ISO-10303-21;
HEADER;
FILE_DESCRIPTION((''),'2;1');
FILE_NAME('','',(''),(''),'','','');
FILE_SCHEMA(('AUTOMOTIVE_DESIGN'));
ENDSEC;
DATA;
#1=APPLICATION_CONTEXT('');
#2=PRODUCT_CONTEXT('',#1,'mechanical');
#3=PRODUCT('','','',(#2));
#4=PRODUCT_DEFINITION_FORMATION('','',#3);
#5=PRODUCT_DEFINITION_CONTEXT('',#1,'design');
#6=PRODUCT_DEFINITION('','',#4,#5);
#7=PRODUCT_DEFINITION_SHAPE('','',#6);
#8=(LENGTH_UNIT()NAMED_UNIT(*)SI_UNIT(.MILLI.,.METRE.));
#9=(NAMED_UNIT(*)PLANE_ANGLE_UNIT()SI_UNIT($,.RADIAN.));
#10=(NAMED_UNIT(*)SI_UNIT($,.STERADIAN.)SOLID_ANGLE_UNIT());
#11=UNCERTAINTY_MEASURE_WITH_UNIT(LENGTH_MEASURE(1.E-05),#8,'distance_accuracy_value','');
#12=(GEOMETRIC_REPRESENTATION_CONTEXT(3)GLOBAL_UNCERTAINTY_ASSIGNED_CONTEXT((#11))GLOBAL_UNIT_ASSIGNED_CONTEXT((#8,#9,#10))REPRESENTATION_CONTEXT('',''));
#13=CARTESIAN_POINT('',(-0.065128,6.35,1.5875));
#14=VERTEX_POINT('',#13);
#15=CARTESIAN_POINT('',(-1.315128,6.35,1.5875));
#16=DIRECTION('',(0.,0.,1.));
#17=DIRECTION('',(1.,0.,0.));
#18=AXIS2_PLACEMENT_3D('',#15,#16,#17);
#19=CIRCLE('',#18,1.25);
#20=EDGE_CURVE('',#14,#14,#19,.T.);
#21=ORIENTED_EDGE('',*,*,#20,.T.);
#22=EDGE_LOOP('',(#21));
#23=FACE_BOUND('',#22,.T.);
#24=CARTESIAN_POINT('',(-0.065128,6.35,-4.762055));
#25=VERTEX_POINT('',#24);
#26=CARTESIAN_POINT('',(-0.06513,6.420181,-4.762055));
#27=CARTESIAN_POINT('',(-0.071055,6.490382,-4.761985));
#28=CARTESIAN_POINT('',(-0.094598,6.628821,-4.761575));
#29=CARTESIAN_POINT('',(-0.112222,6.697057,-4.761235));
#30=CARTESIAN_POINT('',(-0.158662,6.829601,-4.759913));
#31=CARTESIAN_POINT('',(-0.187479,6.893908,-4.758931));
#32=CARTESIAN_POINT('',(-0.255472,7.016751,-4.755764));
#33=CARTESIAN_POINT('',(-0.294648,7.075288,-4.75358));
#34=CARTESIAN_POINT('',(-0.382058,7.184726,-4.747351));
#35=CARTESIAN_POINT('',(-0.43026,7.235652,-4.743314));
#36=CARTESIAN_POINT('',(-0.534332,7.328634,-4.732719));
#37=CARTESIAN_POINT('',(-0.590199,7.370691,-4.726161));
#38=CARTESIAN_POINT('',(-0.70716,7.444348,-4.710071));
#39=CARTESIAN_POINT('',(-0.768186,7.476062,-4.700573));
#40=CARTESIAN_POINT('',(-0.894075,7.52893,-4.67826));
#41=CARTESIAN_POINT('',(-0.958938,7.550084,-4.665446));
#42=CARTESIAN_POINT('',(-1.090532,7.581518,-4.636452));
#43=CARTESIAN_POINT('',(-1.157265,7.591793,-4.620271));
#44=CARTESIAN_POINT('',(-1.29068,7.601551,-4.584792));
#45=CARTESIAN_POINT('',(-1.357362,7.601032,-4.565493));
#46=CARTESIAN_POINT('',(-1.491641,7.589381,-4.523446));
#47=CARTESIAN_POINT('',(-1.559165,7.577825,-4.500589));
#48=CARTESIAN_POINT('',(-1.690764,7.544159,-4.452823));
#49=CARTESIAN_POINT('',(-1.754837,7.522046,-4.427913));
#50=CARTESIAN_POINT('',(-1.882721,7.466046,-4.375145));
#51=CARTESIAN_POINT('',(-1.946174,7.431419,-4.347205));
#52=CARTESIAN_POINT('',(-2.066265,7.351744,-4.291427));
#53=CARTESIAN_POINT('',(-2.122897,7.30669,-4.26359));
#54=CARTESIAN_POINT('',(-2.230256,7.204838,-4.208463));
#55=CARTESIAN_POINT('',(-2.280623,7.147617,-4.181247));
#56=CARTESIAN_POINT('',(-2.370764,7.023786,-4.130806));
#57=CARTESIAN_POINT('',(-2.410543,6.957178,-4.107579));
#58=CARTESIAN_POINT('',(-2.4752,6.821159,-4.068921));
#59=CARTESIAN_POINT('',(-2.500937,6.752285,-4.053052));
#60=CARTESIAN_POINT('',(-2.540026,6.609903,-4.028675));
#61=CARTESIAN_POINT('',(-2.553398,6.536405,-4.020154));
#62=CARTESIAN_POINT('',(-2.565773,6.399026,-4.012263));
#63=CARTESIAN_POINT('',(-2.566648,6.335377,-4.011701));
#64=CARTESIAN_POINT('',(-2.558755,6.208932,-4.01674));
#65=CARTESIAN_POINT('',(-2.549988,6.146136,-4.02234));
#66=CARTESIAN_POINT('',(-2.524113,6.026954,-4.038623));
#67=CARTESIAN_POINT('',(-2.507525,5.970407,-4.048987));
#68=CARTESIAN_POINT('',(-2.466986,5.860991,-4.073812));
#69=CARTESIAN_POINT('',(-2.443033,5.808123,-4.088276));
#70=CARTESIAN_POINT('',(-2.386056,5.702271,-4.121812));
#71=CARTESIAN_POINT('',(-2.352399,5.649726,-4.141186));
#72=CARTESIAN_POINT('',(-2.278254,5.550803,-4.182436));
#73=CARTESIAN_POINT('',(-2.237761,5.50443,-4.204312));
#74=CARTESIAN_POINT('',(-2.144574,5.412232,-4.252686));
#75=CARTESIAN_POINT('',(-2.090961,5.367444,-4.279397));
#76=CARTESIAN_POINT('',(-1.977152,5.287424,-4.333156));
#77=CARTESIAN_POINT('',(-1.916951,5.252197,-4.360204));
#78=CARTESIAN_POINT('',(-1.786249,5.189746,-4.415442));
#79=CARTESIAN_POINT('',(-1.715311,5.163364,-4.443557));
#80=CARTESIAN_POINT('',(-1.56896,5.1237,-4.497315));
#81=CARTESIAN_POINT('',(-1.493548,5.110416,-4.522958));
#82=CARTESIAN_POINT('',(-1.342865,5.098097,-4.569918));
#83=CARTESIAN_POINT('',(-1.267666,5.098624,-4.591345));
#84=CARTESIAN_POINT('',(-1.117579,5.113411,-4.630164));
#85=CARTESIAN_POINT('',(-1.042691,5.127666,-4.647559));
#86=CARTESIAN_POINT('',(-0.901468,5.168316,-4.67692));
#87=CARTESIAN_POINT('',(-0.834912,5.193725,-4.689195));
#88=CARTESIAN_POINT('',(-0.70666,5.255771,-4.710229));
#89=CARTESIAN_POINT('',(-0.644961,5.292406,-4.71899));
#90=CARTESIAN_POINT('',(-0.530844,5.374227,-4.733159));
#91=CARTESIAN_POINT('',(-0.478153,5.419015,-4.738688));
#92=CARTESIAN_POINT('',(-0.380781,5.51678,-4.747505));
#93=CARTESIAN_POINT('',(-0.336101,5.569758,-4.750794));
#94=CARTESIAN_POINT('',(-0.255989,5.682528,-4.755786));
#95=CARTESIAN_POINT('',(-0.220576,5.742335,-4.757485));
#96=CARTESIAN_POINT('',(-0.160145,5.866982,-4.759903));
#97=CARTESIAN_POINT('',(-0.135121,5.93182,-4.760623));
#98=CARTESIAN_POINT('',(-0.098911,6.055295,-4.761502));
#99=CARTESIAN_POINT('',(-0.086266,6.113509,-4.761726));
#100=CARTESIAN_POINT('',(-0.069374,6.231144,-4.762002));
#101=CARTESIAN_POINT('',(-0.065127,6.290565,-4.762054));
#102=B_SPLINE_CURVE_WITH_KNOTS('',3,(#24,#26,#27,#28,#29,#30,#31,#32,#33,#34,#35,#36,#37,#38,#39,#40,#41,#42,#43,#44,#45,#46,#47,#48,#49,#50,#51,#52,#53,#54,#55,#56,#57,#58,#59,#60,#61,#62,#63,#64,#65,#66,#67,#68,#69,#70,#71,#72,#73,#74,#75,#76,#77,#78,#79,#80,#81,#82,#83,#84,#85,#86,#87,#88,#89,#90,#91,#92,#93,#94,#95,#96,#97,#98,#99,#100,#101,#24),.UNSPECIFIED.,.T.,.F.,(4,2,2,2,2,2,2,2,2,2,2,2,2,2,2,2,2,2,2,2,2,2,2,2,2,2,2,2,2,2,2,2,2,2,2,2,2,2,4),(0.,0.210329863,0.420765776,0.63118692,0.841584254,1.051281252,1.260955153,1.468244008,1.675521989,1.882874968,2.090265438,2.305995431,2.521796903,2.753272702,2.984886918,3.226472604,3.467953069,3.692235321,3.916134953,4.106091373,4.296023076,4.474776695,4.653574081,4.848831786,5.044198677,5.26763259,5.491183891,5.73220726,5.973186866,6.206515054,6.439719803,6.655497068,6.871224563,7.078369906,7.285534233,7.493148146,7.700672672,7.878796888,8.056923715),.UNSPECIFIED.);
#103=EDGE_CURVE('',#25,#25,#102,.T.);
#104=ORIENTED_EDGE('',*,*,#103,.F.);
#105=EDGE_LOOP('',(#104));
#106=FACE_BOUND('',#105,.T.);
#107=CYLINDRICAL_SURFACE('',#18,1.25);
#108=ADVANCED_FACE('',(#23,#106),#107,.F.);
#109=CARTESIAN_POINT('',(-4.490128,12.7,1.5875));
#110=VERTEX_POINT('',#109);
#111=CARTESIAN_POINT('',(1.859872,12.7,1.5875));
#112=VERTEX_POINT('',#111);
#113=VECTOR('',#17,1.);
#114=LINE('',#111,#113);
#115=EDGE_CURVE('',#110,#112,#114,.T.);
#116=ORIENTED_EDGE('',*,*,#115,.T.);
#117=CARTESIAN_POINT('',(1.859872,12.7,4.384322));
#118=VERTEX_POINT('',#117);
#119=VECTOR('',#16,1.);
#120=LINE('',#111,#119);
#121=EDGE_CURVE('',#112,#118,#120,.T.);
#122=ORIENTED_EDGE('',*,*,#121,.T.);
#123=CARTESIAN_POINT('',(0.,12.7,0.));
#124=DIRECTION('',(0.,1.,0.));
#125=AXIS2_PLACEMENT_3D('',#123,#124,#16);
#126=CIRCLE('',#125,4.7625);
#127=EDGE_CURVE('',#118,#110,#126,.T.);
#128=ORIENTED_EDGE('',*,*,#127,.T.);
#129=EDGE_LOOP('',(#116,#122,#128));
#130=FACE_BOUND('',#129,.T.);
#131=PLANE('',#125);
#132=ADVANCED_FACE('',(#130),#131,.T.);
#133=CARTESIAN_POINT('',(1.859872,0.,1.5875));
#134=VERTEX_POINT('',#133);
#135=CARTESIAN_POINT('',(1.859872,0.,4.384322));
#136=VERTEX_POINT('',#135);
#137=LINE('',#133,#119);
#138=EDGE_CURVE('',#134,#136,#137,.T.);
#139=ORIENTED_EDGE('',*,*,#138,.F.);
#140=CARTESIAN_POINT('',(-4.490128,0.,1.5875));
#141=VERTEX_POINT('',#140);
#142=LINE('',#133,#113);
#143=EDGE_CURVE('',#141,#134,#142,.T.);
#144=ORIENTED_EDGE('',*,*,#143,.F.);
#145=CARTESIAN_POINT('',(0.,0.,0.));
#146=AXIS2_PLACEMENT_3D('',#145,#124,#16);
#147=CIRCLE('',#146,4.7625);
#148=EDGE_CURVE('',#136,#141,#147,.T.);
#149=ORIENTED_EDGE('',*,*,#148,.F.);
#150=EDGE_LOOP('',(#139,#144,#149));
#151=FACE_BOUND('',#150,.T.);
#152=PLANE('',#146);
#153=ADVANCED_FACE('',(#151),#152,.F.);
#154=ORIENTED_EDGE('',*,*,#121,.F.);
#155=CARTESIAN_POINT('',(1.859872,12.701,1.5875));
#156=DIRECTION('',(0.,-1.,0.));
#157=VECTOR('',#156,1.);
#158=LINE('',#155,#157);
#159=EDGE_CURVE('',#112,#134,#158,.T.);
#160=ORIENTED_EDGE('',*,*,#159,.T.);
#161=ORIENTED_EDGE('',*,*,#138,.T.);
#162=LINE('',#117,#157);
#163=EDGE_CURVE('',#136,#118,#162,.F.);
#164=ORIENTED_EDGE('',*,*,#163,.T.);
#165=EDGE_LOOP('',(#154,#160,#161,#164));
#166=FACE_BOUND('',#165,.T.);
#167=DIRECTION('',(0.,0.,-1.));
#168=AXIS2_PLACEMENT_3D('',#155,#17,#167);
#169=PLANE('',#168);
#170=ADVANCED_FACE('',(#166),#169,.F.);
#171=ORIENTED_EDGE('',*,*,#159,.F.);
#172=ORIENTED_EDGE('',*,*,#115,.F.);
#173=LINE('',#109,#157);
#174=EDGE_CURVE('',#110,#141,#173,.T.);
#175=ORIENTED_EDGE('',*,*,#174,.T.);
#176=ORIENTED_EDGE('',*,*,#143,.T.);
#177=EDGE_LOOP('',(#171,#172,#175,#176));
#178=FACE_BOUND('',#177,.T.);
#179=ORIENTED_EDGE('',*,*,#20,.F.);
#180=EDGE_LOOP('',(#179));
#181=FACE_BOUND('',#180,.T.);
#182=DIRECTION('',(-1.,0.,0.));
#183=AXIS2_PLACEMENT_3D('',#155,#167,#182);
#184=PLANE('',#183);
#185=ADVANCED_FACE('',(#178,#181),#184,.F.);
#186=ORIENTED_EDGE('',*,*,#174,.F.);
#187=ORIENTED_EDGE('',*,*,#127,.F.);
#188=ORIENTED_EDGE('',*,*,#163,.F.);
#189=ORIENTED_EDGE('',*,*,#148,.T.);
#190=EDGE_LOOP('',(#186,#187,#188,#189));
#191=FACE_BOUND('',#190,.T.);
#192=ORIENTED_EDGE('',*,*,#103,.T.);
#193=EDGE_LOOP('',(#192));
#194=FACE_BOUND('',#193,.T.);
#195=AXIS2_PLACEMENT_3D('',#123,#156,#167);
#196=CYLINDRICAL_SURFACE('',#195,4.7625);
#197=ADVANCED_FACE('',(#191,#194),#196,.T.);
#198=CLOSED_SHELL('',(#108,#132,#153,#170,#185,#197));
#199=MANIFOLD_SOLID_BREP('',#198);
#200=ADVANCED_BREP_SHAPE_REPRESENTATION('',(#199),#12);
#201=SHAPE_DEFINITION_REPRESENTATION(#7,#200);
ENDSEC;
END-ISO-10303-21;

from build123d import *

# Parameters (mm, degrees)
PROFILE_SKETCH_R       = 4.7625
BOSS_EXTRUDE1_DEPTH    = 12.7
PLATE_RELIEF_CUT_REACH = 14.7
PLATE_RELIEF_SKETCH_W  = 6.35
PLATE_RELIEF_SKETCH_H  = 3.175
M3X0_5_TAPPED_HOLE1_D  = 2.5


with BuildPart() as part:
    # Profile Sketch → Boss-Extrude1 (new body)
    with BuildSketch(Plane(origin=(0, 0, 0), x_dir=(1, 0, 0), z_dir=(0, 1, 0))):
        Circle(PROFILE_SKETCH_R)
    extrude(amount=BOSS_EXTRUDE1_DEPTH)

    # Plate Relief Sketch → Plate Relief Cut (cut, up to next)
    with BuildSketch(Plane.XZ, mode=Mode.PRIVATE) as plate_relief_cut_sk1:
        with Locations((-1.315128061, 3.175)):
            Rectangle(PLATE_RELIEF_SKETCH_W, PLATE_RELIEF_SKETCH_H)
    plate_relief_cut_tool1 = extrude(plate_relief_cut_sk1.sketch, amount=-PLATE_RELIEF_CUT_REACH, mode=Mode.PRIVATE) & part.part
    add(plate_relief_cut_tool1.solids().sort_by_distance((-1.315128, 0, 3.175))[0], mode=Mode.SUBTRACT)

    # M3x0.5 Tapped Hole1 (through all)
    with Locations(Plane(origin=(-1.315128061, 6.35, 1.5875), x_dir=(1, 0, 0), z_dir=(0, 0, 1))):
        with Locations((0, 0)):
            Hole(M3X0_5_TAPPED_HOLE1_D / 2)


solid = part.part
